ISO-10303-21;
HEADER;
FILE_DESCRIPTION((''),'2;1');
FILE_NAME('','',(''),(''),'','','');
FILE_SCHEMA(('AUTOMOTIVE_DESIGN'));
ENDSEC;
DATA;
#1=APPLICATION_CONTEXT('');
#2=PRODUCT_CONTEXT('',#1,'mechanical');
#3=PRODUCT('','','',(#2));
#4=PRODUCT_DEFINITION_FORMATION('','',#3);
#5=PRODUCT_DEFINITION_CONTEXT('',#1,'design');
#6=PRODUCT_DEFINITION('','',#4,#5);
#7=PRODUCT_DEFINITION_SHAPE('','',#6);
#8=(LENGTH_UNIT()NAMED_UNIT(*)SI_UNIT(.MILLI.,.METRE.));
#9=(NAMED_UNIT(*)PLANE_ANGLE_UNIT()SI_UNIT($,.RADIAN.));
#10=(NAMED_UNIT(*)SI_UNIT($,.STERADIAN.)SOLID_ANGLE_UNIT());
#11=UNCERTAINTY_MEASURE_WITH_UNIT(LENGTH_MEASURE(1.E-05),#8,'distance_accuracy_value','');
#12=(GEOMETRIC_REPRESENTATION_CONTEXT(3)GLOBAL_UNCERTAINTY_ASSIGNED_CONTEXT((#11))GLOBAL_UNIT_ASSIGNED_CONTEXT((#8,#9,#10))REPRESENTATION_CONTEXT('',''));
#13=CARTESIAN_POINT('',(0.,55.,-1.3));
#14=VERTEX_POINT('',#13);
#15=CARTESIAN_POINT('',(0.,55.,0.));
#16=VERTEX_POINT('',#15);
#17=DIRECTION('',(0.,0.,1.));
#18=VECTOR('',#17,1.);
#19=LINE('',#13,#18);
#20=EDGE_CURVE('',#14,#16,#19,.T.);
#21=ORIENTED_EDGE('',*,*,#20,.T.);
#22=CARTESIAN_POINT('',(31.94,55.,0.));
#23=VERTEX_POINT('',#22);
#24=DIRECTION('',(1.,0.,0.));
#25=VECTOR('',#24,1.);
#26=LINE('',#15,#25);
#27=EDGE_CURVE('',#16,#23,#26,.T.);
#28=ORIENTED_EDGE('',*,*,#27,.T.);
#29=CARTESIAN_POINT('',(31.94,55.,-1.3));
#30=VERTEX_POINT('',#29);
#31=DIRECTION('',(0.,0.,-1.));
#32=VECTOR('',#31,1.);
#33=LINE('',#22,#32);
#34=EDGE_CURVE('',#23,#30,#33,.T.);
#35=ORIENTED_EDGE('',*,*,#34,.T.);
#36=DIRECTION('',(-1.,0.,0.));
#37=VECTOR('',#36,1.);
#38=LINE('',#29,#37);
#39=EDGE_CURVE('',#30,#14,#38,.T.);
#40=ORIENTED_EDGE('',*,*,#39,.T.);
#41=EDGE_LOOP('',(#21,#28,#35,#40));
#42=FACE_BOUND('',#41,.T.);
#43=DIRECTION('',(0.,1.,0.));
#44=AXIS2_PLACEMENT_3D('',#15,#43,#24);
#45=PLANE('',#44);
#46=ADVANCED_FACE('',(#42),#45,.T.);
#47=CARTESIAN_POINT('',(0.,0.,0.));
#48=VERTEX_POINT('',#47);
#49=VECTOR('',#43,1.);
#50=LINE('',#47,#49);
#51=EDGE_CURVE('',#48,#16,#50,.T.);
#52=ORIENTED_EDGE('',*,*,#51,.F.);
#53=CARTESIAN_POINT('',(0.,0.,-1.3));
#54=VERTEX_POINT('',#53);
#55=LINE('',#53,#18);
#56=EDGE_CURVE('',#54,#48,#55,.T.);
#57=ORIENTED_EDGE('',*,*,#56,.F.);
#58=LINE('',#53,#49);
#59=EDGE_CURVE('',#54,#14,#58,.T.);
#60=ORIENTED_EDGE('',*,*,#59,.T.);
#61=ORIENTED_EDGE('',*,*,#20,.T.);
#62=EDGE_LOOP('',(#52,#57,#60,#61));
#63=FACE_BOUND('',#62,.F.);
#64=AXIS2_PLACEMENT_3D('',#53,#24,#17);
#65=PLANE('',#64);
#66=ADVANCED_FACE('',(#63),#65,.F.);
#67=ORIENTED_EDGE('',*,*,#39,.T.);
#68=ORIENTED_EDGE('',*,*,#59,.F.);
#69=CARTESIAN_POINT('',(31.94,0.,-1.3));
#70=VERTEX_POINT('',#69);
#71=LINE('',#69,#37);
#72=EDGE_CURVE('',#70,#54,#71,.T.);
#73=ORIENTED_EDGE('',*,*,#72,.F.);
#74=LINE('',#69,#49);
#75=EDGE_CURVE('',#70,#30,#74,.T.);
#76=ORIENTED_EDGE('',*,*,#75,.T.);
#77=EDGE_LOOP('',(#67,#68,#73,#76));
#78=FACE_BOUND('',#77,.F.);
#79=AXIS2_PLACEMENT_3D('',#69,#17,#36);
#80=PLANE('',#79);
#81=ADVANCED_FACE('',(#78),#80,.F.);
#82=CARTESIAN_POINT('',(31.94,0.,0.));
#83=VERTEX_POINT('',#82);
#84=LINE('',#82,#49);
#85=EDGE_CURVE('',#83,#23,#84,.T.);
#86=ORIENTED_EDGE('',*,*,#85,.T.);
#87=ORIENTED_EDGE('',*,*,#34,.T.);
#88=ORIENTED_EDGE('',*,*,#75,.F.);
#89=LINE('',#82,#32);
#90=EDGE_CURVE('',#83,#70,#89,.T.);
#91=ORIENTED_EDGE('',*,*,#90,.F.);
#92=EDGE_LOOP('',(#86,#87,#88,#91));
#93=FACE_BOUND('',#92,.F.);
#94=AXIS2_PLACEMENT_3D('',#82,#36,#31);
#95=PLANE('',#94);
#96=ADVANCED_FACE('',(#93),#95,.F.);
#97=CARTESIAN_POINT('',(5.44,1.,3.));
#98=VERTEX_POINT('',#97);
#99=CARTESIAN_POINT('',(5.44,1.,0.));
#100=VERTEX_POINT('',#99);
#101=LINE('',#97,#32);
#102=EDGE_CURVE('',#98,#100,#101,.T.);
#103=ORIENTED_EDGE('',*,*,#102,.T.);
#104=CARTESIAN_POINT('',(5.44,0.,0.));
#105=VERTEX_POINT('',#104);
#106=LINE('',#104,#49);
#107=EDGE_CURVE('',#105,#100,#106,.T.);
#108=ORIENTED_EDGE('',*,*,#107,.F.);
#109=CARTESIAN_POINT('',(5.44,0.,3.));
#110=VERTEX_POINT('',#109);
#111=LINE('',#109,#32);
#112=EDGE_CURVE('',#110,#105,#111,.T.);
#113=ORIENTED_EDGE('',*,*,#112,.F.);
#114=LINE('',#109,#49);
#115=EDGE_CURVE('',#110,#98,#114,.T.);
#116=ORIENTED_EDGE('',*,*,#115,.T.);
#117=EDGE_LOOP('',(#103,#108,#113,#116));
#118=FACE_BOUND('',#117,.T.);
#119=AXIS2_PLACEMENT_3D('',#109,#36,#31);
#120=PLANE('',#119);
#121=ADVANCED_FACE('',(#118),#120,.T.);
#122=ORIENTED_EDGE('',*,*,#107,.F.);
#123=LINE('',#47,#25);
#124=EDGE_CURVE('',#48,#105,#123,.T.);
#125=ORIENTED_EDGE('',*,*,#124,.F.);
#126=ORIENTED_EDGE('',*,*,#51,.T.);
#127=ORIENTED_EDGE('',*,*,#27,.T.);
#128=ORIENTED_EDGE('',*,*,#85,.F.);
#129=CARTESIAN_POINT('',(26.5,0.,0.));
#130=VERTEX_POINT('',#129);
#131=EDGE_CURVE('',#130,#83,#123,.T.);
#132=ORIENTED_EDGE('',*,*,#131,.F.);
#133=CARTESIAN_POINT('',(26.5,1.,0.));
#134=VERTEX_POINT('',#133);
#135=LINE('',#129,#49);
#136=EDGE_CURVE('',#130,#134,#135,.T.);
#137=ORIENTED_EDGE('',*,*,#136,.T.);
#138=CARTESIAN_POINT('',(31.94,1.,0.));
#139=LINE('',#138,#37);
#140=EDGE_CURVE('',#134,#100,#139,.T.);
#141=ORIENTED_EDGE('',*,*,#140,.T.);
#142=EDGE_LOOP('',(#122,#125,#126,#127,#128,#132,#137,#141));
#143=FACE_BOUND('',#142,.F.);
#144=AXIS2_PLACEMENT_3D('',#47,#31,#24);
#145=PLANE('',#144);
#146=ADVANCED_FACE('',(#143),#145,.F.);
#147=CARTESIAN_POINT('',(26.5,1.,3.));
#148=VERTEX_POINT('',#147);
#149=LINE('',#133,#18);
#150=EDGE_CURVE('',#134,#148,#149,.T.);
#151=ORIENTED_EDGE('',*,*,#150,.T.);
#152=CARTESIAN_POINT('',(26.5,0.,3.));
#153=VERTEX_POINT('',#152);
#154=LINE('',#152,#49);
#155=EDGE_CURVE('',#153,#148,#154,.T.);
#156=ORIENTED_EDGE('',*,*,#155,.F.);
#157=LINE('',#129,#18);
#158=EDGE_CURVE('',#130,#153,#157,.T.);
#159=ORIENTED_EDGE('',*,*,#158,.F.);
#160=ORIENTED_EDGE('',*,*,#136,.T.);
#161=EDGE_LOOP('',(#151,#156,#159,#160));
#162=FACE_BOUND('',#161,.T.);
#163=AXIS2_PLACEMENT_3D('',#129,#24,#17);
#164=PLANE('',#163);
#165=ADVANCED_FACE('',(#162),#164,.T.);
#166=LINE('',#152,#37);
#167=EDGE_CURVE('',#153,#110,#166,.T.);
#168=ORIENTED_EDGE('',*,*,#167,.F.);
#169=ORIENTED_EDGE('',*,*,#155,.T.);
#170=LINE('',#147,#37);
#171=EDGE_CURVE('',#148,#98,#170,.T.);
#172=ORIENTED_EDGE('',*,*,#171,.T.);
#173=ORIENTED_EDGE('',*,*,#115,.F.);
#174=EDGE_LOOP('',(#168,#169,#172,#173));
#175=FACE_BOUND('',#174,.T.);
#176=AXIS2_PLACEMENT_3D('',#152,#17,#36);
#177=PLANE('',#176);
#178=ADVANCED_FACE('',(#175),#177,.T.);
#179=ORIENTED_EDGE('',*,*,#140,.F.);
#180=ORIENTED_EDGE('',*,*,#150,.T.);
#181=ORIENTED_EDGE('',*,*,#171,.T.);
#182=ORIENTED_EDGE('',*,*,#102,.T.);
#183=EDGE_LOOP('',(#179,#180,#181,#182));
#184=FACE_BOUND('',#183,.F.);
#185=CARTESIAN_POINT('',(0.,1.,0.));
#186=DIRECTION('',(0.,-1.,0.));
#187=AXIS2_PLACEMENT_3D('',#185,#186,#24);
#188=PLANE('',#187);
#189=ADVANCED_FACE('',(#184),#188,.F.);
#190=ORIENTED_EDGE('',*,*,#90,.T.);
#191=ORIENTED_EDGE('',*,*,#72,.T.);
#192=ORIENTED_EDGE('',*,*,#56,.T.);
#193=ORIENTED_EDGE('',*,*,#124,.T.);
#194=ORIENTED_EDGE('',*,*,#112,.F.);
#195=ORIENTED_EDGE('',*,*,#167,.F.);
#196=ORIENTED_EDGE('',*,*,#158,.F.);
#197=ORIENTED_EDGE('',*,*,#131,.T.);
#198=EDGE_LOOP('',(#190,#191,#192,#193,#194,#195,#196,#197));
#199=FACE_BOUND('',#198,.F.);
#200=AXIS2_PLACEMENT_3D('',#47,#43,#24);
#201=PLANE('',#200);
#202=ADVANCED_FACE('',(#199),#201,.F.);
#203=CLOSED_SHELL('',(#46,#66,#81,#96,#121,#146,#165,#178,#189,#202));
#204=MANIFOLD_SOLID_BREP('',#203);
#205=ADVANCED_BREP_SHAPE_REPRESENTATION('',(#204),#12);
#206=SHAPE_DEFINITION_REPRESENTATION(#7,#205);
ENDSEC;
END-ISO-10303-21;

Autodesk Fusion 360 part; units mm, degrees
sketch "Sketch1" plane through (0, 0, 0) normal (0, 1, 0) x (1, 0, 0)
  line L0 (0, 0) -> (31.94, 0)
  line L1 (31.94, 0) -> (31.94, 1.3)
  line L2 (31.94, 1.3) -> (0, 1.3)
  line L3 (0, 1.3) -> (0, 0)
  dimension "d13" = 1.3
extrude "Extrude1" add sketch "Sketch1" along normal blind 55
sketch "Sketch3" plane through (0, 0, 0) normal (0, -1, 0) x (1, 0, 0)
  line L0 (0, 0) -> (0, -1.3)
  line L1 (0, -1.3) -> (31.94, -1.3)
  line L2 (31.94, -1.3) -> (31.94, 0)
  line L3 (31.94, 0) -> (0, 0)
  line L4 (5.44, 0) -> (26.5, 0)
  line L5 (26.5, 0) -> (26.5, 3)
  line L6 (26.5, 3) -> (5.44, 3)
  line L7 (5.44, 3) -> (5.44, 0)
extrude "Extrude2" add sketch "Sketch3" against normal blind 1 contours L3 L4 L5 L6 L7
